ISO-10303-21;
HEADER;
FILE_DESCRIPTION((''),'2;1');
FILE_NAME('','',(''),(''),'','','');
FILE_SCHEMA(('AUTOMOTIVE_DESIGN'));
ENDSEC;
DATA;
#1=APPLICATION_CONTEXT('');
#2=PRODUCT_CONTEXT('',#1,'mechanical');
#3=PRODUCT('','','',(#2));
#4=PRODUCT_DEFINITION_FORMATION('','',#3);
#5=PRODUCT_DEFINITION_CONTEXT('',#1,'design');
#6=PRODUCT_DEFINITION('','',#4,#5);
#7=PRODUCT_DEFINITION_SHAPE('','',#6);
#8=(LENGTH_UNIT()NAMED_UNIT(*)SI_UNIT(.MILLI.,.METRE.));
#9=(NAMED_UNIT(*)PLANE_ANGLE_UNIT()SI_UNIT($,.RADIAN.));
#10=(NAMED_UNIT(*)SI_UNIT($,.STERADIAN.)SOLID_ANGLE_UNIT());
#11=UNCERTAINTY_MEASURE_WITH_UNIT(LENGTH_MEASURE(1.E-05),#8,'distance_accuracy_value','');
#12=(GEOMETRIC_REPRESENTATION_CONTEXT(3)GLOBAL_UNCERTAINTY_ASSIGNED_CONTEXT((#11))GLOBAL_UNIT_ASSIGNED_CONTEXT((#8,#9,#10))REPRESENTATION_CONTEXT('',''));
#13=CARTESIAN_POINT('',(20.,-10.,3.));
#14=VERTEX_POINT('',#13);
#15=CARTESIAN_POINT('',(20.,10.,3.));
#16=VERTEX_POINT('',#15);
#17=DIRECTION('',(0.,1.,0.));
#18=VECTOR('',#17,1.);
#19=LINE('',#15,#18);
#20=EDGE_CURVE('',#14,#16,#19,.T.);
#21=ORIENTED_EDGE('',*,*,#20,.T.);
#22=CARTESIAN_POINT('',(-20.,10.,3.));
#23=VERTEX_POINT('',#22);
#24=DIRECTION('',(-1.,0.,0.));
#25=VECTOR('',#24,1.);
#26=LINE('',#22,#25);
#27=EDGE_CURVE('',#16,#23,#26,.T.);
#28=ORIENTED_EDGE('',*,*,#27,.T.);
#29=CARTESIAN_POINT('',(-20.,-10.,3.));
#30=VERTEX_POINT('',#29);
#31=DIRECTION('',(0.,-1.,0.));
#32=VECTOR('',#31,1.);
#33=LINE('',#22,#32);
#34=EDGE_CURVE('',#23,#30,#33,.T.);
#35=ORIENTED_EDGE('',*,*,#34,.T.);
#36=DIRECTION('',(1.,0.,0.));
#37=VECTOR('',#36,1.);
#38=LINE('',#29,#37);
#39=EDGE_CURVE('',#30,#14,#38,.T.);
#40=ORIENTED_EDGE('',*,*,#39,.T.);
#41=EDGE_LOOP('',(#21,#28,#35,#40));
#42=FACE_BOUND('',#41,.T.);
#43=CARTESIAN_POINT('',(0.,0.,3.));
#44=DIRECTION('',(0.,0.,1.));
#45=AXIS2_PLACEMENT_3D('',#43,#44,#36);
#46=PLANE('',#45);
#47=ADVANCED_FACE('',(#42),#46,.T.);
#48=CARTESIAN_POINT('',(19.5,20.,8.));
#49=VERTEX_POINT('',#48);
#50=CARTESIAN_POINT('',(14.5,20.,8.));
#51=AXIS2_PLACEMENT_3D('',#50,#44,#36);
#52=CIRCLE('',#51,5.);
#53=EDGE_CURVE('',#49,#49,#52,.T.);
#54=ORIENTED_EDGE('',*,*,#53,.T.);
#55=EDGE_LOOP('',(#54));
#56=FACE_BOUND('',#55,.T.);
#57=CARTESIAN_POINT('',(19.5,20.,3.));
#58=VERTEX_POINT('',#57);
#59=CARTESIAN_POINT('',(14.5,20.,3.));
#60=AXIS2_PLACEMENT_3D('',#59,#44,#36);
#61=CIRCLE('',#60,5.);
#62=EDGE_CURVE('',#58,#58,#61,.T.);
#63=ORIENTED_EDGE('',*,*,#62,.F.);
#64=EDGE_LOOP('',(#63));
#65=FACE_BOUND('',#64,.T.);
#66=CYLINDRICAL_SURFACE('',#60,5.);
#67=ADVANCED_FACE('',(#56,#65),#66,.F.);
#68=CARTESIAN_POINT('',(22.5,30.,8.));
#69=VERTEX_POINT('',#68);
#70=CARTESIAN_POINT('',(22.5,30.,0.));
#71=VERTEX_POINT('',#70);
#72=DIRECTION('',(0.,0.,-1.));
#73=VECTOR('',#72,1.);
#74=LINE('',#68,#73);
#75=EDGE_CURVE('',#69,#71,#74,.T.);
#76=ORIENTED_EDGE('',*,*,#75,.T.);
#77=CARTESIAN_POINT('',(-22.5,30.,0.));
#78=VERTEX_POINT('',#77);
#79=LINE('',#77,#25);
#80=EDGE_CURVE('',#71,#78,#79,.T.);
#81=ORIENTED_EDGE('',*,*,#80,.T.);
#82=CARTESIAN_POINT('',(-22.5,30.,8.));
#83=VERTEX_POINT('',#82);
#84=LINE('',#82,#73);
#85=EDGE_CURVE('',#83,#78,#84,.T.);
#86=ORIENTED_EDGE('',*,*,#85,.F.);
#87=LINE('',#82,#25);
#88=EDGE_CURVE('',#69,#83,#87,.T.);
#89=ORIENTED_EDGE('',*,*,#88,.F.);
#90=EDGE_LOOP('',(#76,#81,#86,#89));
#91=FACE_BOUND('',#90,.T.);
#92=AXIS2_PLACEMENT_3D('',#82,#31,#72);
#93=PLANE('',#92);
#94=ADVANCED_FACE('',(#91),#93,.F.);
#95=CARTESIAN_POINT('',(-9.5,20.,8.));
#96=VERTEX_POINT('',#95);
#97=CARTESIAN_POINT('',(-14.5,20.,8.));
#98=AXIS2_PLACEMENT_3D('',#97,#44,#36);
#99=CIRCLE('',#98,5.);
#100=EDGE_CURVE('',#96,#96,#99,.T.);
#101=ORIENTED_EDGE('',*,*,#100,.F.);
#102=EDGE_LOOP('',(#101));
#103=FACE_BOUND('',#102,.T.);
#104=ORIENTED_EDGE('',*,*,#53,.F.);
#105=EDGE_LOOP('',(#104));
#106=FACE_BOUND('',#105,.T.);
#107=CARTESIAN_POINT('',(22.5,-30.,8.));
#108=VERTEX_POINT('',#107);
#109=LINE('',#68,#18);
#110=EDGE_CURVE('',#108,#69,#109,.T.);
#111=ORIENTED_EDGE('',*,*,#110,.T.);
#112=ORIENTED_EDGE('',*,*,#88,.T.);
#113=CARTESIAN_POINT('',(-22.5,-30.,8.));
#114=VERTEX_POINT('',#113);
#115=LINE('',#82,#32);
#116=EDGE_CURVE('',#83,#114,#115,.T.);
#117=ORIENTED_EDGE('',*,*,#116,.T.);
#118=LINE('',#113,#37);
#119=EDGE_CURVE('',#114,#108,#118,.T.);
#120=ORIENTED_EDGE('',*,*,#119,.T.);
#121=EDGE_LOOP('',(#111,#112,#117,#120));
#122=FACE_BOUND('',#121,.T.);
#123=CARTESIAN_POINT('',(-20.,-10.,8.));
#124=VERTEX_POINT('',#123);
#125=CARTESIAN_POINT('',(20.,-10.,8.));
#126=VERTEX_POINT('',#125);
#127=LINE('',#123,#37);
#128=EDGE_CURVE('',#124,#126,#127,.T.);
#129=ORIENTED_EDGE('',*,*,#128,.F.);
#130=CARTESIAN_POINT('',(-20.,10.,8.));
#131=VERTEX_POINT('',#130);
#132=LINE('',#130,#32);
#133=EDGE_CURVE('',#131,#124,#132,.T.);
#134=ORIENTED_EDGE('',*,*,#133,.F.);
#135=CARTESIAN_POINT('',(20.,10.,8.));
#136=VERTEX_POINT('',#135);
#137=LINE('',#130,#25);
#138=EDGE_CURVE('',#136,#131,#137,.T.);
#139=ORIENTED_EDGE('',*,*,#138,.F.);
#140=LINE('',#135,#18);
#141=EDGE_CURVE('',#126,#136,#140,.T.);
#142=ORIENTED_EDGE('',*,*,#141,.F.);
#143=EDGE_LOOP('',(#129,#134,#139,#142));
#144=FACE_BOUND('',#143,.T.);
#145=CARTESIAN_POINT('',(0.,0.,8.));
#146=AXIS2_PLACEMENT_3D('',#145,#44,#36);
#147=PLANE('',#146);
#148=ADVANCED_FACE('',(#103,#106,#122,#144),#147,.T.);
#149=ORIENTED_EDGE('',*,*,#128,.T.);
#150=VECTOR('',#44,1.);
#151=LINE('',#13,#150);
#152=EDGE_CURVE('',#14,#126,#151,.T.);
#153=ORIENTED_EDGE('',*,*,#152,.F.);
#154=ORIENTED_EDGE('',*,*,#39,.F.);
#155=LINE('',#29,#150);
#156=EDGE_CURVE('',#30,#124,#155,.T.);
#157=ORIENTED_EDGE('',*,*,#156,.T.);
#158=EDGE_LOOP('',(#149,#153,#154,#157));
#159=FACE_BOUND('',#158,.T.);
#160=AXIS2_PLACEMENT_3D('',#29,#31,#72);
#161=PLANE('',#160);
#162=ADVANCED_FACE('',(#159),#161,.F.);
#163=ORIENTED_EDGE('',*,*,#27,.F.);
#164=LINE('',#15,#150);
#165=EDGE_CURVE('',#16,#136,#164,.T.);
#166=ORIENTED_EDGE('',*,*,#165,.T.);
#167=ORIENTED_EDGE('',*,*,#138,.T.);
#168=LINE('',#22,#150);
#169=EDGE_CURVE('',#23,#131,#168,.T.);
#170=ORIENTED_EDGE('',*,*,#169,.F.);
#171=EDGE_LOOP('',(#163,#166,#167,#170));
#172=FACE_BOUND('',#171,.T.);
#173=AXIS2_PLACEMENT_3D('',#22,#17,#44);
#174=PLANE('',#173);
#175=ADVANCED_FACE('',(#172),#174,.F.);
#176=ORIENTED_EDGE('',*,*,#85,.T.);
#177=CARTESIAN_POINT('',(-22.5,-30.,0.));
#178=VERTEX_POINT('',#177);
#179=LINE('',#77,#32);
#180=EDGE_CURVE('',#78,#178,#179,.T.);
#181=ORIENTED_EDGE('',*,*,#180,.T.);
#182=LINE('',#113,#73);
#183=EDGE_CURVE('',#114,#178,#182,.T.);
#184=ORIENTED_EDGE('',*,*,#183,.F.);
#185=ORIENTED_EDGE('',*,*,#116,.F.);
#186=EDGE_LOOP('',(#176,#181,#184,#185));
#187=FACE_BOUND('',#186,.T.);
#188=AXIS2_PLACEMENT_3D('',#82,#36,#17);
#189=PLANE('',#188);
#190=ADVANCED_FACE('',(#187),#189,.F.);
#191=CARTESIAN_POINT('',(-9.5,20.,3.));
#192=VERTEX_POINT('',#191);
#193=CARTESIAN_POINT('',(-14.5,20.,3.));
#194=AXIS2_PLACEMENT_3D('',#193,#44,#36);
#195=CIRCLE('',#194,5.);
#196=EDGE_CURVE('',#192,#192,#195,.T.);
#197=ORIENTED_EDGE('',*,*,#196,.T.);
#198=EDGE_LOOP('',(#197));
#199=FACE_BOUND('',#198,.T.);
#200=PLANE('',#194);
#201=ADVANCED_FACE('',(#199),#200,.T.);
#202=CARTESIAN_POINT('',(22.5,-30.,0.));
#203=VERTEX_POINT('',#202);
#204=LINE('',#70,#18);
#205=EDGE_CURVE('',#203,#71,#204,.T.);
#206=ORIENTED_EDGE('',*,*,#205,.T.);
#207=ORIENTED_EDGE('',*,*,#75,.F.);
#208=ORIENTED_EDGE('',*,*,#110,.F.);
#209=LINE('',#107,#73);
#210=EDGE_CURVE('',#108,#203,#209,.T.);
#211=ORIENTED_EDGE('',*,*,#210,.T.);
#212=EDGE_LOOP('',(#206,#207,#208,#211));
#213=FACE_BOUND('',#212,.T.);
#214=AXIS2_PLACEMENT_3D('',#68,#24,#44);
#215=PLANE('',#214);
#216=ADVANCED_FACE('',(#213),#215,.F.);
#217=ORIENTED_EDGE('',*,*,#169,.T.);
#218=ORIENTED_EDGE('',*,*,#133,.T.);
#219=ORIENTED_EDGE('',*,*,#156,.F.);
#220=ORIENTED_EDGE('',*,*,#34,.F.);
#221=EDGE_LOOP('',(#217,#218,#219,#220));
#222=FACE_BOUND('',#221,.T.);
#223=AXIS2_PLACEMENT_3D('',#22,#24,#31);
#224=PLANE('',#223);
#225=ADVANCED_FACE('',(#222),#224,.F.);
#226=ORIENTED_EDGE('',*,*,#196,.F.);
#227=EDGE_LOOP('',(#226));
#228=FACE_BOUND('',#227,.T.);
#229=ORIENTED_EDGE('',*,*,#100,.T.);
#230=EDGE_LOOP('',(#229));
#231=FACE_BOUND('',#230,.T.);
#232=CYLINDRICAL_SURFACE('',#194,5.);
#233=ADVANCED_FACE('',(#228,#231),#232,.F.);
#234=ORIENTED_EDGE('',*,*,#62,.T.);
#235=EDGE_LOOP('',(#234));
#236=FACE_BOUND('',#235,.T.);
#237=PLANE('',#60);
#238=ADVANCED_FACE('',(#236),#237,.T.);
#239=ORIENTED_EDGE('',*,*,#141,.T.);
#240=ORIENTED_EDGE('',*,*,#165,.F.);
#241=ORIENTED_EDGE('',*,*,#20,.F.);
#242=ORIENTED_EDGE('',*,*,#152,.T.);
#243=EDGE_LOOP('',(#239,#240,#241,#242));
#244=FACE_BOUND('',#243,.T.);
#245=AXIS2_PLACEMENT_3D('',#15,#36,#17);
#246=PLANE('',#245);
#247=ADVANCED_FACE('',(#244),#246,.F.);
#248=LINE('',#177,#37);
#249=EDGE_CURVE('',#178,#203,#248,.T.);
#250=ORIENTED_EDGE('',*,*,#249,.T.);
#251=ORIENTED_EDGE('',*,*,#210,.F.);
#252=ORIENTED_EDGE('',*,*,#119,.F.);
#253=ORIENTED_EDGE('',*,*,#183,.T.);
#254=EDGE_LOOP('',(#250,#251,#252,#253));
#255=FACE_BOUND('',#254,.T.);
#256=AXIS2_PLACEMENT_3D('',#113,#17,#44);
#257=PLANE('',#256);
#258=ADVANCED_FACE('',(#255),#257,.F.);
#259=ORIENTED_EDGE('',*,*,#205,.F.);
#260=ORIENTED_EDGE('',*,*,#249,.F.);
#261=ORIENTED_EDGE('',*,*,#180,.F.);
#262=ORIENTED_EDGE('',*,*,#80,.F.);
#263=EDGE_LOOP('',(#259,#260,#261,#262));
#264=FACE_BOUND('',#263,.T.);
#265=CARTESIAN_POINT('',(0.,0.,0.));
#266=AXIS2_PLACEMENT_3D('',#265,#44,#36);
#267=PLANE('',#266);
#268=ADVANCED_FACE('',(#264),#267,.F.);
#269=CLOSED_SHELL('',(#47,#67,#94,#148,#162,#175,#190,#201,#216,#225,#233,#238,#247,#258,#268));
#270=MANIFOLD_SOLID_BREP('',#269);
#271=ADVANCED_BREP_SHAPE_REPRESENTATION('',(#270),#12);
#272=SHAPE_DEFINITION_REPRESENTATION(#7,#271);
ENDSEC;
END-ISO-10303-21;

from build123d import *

# Parameters (mm, degrees)
SKETCH1_W           = 45
SKETCH1_H           = 60
BOSS_EXTRUDE1_DEPTH = 8
SKETCH2_R           = 5
SKETCH2_W           = 40
SKETCH2_H           = 20
CUT_EXTRUDE1_DEPTH  = 5


with BuildPart() as part:
    # Sketch1 → Boss-Extrude1 (new body)
    with BuildSketch(Plane.XY):
        Rectangle(SKETCH1_W, SKETCH1_H)
    extrude(amount=BOSS_EXTRUDE1_DEPTH)

    # Sketch2 → Cut-Extrude1 (cut)
    with BuildSketch(Plane.XY.offset(8)):
        with Locations((-14.5, 20)):
            Circle(SKETCH2_R)
        with Locations((14.5, 20)):
            Circle(SKETCH2_R)
        Rectangle(SKETCH2_W, SKETCH2_H)
    extrude(amount=-CUT_EXTRUDE1_DEPTH, mode=Mode.SUBTRACT)


solid = part.part
